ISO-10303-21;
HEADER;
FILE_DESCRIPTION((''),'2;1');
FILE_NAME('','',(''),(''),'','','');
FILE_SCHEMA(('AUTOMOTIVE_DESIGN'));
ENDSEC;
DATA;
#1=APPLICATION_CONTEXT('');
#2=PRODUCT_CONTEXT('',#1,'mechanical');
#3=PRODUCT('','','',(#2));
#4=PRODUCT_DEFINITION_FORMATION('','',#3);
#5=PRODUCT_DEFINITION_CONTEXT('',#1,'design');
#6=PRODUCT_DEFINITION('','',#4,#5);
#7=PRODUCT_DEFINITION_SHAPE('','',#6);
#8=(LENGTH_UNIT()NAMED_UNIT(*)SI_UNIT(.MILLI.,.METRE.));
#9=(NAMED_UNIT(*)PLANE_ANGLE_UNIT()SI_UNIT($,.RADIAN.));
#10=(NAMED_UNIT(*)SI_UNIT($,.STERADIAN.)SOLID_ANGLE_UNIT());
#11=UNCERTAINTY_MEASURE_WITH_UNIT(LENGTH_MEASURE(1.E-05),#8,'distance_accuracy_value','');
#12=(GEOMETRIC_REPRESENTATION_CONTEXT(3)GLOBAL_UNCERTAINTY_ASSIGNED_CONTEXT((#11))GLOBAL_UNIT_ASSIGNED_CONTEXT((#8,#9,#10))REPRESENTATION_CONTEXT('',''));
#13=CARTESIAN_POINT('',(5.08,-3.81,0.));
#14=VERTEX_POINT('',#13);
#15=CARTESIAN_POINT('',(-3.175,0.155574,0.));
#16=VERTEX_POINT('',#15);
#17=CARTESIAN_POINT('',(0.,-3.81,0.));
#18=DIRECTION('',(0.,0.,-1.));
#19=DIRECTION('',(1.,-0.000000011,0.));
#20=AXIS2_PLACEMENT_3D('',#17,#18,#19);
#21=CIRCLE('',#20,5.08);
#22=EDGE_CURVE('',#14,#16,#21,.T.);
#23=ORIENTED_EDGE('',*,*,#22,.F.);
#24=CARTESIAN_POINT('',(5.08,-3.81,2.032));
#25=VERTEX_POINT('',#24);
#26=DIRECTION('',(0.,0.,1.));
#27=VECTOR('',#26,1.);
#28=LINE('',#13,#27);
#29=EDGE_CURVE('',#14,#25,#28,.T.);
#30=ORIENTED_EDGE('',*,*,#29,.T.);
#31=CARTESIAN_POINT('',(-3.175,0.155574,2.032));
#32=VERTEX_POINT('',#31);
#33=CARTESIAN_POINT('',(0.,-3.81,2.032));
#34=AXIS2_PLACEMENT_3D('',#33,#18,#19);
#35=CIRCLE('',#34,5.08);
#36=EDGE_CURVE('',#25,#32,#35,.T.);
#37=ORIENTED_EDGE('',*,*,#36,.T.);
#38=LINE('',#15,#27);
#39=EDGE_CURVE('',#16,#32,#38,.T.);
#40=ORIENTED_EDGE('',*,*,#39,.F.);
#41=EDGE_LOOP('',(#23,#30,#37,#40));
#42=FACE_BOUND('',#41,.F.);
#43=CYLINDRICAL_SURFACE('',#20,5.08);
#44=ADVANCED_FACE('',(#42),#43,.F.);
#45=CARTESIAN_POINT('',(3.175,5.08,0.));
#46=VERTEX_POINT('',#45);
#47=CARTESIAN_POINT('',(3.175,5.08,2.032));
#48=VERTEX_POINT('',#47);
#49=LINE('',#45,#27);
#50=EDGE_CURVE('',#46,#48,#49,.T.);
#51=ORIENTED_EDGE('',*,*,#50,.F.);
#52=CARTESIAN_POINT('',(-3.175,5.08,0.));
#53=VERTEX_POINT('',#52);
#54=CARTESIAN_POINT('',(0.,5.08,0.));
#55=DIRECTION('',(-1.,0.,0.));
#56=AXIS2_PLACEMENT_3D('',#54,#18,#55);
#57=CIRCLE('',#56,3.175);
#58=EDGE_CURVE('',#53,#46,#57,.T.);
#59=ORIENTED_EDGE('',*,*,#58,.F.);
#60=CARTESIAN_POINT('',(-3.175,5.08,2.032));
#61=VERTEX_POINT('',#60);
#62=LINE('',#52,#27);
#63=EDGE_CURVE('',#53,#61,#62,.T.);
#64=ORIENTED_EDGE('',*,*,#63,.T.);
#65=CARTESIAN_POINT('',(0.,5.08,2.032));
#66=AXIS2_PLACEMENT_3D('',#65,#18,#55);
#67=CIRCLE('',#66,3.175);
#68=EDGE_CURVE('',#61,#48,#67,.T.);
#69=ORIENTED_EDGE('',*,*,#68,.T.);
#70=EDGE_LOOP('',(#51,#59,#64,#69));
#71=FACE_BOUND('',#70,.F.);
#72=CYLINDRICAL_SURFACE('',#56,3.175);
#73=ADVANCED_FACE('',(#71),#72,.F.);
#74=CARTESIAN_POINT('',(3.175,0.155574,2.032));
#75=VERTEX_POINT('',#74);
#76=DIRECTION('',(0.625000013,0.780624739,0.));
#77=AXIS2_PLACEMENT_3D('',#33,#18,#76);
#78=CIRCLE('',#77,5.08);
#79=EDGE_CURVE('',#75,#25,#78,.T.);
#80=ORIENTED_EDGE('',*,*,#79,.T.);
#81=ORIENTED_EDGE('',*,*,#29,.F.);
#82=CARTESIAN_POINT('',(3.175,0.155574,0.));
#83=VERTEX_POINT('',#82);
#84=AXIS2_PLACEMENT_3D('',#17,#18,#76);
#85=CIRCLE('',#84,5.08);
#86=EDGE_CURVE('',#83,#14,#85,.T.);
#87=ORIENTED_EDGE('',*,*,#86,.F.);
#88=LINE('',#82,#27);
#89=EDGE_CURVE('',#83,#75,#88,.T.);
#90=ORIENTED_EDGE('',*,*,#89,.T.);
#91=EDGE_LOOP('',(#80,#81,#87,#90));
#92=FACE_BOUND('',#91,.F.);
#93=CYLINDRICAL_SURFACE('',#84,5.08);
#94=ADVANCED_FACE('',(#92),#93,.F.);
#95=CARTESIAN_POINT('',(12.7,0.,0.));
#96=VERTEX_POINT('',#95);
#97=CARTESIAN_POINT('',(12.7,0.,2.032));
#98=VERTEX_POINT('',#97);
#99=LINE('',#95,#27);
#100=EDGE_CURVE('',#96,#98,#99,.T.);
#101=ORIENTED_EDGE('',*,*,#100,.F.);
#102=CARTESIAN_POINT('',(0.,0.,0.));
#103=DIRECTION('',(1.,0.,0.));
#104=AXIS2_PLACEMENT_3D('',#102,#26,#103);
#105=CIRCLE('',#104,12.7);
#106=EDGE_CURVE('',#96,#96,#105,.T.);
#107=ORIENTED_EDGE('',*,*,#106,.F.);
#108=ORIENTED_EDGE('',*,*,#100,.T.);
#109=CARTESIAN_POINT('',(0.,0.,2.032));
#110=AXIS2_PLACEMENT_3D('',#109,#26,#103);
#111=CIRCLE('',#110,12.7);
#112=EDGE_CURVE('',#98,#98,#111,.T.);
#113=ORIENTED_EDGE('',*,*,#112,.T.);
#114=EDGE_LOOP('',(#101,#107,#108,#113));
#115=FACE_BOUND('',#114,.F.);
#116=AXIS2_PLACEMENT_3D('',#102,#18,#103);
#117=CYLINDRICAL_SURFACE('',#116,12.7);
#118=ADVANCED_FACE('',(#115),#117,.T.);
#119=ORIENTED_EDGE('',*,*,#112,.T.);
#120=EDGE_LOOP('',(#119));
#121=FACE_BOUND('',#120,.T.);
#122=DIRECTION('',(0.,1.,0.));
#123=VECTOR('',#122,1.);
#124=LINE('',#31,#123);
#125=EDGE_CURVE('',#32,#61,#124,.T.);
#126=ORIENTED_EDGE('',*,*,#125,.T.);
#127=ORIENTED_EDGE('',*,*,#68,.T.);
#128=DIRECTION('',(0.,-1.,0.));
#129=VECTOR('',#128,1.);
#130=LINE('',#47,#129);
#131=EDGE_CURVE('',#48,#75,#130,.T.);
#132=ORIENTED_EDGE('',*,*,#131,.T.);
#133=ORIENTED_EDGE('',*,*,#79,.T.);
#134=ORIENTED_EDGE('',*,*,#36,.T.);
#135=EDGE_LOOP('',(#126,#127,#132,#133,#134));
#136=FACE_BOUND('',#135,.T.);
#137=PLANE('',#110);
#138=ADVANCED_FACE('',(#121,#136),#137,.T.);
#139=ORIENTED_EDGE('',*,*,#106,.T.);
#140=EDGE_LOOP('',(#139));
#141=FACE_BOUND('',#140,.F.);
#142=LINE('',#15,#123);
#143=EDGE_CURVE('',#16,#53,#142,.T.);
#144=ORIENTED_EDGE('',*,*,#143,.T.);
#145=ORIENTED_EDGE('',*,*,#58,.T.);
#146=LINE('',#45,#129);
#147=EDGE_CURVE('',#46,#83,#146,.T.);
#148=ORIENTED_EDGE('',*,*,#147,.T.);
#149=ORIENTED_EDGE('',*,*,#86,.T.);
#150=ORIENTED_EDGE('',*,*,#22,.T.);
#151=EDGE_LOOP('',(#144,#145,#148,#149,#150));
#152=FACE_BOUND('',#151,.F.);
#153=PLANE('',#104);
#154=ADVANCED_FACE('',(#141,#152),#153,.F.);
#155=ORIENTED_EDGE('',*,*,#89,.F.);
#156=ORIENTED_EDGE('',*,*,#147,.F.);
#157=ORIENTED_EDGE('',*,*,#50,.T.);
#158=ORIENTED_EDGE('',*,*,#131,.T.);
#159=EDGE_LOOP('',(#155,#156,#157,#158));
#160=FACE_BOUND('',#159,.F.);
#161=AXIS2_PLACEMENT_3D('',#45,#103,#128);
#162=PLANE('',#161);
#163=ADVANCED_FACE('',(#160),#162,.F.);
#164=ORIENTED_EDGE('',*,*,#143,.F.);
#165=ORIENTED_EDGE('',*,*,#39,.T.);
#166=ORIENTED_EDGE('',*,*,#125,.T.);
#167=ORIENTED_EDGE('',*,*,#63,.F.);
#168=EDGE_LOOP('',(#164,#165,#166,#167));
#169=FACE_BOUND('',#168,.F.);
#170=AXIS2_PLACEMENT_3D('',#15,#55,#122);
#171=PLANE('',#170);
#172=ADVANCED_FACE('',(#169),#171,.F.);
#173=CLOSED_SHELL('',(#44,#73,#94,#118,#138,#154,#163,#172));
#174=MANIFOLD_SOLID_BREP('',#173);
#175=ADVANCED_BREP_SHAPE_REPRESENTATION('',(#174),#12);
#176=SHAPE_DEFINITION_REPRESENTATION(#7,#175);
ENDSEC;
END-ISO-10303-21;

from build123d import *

# Parameters (mm, degrees)
F0_R     = 12.7
F1_DEPTH = 2.032


with BuildPart() as f1:
    # F0 (on Top) → F1 (new body)
    with BuildSketch(Plane.XY):
        Circle(F0_R)
        with BuildLine():
            ThreePointArc((3.175, 0.155574), (4.57905, -1.610295), (5.08, -3.81))
            ThreePointArc((5.08, -3.81), (-2.199705, -8.38905), (-3.175, 0.155574))
            Line((-3.175, 0.155574), (-3.175, 5.08))
            ThreePointArc((-3.175, 5.08), (0, 8.255), (3.175, 5.08))
            Line((3.175, 5.08), (3.175, 0.155574))
        make_face(mode=Mode.SUBTRACT)
    extrude(amount=F1_DEPTH)


solid = f1.part
